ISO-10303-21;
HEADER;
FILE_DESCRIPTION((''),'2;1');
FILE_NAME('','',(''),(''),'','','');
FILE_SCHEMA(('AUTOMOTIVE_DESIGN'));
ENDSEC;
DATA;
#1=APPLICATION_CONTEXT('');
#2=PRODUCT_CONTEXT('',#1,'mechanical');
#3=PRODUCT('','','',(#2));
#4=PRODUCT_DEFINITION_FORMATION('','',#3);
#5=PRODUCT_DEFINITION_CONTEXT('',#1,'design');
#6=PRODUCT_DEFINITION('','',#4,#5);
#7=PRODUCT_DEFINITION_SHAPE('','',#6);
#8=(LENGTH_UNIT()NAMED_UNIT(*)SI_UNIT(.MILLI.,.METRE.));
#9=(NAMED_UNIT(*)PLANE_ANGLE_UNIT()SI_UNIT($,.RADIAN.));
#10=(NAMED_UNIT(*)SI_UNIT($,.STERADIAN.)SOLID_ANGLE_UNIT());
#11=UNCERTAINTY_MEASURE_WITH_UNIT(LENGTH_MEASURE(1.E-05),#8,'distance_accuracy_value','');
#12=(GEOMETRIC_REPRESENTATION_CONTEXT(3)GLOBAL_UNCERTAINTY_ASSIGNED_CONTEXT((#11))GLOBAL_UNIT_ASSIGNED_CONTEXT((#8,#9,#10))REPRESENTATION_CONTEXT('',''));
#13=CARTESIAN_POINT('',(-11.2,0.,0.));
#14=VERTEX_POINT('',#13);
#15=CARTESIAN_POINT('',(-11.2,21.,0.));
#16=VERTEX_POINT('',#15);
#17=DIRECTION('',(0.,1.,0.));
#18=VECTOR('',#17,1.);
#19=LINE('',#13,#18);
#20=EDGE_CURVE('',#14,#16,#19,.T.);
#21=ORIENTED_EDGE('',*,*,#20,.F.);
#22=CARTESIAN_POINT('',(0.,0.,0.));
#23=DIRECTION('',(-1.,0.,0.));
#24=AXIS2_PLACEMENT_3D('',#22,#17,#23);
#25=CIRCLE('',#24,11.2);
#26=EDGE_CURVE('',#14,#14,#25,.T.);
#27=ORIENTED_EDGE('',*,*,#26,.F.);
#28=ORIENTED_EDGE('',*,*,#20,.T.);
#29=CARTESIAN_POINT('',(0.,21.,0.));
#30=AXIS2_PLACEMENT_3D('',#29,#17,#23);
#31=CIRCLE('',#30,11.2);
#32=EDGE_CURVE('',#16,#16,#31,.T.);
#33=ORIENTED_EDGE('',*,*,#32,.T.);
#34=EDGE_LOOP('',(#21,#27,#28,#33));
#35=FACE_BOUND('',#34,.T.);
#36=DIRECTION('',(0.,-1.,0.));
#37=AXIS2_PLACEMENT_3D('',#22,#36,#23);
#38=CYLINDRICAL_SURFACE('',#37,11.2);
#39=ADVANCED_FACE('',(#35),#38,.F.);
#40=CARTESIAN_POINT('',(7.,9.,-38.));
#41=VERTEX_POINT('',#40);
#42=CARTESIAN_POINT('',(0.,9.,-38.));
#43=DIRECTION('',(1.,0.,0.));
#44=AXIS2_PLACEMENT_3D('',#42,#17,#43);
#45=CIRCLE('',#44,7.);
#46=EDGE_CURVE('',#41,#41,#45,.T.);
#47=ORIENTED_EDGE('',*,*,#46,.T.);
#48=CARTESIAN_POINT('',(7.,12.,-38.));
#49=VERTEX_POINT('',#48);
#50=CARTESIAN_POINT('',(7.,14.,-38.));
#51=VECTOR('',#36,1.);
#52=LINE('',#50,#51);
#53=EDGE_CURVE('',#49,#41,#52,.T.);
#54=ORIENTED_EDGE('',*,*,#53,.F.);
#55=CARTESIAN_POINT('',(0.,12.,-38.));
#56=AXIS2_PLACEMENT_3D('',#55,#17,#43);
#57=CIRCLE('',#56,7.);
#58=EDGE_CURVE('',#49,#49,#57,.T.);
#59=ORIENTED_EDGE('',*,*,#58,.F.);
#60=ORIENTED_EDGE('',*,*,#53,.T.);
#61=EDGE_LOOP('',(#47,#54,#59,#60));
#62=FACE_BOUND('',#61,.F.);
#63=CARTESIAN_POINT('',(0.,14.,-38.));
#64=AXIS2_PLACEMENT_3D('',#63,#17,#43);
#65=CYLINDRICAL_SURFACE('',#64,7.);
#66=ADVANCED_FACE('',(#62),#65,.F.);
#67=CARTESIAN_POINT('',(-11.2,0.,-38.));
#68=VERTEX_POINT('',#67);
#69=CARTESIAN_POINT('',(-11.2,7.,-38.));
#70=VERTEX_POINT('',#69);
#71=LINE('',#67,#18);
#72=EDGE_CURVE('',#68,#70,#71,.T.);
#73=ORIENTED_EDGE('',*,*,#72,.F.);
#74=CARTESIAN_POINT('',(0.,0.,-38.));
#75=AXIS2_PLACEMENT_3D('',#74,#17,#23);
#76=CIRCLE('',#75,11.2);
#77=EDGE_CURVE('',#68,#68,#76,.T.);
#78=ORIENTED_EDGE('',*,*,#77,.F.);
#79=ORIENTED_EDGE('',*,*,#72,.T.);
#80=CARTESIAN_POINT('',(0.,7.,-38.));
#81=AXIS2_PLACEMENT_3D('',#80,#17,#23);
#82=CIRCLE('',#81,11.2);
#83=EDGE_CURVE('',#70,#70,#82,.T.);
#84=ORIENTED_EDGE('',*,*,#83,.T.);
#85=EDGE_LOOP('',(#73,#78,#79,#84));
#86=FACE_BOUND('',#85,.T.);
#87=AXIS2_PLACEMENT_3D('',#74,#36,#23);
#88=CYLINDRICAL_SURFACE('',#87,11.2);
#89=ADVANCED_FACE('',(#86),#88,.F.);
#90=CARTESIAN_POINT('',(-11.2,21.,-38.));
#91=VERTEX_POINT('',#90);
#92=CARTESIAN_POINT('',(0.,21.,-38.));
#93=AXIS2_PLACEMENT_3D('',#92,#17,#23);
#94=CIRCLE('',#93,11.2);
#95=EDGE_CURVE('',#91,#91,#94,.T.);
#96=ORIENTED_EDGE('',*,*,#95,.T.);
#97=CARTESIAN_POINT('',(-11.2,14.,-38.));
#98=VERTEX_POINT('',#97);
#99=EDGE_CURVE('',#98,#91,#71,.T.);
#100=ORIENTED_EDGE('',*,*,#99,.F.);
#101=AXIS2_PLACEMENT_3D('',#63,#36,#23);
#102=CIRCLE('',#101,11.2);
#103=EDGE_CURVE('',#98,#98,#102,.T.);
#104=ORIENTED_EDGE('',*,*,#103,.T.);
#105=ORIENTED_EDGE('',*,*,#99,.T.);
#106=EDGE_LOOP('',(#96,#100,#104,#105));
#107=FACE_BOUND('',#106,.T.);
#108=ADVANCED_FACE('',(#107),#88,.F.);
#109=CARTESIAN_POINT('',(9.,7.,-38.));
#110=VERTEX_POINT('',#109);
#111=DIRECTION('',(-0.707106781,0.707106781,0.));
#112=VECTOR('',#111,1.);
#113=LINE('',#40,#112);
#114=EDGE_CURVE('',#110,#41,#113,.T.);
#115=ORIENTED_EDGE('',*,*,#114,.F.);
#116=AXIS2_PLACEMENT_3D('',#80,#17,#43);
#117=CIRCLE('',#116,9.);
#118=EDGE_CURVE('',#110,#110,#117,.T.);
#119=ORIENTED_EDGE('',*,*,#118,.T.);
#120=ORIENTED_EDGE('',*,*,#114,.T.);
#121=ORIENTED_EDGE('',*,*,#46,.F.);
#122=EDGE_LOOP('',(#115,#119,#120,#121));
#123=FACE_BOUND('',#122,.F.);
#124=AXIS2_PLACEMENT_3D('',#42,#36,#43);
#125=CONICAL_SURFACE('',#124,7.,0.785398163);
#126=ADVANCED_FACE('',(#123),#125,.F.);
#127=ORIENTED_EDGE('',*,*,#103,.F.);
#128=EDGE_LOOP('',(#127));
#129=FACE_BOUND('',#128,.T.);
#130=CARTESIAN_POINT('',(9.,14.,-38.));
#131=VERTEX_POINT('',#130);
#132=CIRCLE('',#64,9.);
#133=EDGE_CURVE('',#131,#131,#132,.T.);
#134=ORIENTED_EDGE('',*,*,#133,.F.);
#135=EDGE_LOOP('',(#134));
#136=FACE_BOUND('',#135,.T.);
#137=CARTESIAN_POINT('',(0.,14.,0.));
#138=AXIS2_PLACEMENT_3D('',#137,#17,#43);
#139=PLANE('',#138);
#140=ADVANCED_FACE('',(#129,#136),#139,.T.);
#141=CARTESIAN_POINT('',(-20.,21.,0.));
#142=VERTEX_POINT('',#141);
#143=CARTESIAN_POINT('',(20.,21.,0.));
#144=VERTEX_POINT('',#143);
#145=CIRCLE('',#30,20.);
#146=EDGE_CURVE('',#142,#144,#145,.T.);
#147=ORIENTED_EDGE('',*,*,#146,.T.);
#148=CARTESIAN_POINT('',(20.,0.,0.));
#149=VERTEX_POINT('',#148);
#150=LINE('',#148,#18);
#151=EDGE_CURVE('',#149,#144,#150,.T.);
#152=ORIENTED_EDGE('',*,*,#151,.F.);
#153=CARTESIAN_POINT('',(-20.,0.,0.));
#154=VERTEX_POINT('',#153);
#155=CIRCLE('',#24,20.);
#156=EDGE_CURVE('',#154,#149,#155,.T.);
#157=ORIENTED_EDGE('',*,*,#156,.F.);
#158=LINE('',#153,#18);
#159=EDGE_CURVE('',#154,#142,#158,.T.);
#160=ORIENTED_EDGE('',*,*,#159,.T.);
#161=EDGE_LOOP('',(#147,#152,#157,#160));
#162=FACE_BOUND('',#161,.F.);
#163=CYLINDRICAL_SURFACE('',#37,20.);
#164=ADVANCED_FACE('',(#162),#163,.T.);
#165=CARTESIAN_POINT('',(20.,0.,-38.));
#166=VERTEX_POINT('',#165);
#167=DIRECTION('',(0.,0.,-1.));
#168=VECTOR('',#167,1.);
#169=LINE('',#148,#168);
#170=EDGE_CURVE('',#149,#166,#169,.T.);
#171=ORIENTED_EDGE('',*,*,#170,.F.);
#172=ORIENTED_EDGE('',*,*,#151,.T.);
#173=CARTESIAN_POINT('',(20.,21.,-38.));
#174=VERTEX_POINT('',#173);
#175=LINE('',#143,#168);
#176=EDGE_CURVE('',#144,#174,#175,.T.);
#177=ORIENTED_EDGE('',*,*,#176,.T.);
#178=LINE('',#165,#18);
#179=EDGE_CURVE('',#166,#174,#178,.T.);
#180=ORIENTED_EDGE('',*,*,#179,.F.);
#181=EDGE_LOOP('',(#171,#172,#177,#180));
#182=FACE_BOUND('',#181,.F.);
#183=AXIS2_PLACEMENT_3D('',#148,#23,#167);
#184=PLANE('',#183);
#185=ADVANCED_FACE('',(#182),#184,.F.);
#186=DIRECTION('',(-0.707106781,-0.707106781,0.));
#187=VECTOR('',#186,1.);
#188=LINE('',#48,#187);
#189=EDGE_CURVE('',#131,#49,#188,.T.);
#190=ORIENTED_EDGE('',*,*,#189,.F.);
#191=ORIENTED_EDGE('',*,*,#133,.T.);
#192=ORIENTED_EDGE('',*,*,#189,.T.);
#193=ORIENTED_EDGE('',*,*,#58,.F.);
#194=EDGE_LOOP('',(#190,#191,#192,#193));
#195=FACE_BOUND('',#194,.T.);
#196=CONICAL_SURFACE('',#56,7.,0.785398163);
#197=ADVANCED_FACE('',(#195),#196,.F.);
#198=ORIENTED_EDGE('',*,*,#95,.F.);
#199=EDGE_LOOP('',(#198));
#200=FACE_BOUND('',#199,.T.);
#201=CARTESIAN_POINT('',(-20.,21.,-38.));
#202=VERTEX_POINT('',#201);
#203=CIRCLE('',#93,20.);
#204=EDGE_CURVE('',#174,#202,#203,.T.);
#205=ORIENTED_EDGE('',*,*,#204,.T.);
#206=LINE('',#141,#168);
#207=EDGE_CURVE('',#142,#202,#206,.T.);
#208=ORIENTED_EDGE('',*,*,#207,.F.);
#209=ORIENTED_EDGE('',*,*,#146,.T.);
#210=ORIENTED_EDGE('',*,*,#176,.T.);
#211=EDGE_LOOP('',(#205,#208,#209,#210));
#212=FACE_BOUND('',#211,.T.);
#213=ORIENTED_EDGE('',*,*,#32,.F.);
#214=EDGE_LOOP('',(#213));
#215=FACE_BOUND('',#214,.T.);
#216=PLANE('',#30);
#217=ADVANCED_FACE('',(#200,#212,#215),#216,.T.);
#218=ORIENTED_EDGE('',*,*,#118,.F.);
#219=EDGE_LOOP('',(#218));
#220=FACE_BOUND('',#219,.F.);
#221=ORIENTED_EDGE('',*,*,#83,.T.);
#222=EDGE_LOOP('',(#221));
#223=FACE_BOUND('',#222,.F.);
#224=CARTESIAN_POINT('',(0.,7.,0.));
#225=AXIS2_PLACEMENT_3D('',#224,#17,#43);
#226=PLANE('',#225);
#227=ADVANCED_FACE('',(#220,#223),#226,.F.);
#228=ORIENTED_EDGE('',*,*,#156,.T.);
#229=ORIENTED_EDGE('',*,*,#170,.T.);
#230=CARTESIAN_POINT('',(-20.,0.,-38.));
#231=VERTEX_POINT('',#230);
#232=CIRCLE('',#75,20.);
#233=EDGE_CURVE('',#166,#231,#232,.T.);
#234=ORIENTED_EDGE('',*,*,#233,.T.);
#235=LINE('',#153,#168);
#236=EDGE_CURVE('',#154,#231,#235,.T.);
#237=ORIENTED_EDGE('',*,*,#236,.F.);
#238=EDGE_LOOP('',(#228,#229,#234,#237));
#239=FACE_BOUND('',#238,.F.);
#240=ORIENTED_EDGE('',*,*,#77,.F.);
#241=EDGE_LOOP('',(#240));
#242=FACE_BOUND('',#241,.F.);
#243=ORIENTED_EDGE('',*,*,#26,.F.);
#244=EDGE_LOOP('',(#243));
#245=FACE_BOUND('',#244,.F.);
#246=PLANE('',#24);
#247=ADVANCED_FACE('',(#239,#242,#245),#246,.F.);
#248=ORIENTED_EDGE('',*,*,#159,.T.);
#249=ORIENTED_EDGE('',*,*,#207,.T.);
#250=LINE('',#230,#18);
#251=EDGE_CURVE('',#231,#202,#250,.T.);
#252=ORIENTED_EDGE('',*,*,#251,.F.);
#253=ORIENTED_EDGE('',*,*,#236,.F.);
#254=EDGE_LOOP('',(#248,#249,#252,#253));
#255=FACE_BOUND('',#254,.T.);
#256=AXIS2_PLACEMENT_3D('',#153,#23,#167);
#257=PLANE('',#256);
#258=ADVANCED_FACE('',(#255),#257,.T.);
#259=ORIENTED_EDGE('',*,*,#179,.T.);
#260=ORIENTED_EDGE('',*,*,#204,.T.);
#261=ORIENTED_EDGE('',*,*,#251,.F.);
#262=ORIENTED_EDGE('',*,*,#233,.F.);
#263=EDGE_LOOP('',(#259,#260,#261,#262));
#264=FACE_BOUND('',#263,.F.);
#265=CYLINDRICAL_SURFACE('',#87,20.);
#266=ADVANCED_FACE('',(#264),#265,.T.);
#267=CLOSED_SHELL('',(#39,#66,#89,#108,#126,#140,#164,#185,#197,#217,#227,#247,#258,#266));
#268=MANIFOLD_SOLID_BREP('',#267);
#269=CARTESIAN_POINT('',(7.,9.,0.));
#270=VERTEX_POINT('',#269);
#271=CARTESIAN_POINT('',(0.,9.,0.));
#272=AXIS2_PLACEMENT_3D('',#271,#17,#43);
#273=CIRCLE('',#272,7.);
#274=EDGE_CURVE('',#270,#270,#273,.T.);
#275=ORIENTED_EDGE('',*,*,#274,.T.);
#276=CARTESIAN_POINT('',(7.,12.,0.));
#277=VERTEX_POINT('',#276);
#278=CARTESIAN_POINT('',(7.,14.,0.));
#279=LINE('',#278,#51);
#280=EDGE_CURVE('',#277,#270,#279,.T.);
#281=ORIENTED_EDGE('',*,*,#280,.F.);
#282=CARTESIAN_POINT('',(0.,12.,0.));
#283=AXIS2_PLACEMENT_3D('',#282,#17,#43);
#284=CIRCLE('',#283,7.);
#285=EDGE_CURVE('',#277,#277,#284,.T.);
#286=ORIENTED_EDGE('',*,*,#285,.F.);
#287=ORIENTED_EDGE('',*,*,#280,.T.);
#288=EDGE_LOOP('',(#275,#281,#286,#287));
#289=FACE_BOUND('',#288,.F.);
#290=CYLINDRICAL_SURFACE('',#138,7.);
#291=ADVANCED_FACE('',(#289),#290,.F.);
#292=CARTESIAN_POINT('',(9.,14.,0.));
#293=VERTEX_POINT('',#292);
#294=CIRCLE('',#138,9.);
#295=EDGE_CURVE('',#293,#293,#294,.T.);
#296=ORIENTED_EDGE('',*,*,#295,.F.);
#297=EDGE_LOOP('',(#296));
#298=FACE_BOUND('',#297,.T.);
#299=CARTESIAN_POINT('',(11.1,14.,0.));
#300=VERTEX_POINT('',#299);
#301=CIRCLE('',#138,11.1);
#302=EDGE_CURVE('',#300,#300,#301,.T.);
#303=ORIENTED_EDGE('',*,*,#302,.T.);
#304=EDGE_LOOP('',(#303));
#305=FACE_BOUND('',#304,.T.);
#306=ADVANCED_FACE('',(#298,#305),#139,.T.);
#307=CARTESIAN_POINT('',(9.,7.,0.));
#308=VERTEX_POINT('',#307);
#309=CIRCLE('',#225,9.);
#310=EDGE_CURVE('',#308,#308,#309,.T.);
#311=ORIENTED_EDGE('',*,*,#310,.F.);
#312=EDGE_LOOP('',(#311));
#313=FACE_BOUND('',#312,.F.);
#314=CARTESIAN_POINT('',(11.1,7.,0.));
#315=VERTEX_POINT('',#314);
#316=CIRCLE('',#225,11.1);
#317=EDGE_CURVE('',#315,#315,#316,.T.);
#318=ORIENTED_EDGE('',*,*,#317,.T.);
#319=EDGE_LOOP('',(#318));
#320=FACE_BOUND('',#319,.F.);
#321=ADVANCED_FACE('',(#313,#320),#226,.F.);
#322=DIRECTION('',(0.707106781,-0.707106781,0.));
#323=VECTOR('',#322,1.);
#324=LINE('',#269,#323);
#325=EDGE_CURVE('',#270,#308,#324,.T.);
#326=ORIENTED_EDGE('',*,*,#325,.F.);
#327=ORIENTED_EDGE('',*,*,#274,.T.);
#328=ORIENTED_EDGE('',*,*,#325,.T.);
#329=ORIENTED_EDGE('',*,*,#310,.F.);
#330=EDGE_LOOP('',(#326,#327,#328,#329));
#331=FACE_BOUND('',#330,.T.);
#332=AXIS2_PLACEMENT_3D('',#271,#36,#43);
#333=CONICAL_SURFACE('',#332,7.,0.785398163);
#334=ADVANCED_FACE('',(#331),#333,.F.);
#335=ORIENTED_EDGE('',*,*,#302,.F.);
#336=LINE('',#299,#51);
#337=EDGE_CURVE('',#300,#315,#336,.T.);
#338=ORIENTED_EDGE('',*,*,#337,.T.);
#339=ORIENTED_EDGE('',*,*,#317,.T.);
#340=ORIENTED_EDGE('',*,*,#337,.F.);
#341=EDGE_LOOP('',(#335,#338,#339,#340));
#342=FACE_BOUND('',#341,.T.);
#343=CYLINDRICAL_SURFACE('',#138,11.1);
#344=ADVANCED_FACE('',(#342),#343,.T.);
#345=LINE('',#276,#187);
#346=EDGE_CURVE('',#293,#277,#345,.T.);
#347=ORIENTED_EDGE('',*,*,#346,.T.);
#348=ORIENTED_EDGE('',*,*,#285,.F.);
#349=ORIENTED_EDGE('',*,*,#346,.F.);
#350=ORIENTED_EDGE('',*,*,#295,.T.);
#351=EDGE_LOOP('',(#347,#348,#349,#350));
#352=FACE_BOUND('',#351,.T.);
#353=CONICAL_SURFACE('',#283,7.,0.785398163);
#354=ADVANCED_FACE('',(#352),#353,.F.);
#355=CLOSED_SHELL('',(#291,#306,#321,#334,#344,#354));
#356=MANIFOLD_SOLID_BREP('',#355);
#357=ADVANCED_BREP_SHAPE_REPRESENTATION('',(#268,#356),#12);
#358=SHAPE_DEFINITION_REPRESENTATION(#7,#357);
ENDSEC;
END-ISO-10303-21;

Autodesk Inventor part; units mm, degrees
ref_plane "YZ Plane" through (0, 0, 0) normal (1, 0, 0) x (0, 1, 0)
ref_plane "XZ Plane" through (0, 0, 0) normal (0, 1, 0) x (-1, 0, 0)
sketch "Sketch1" plane through (0, 0, 0) normal (0, 1, 0) x (-1, 0, 0)
  circle A0 centre (0, 0) radius 11.2
  circle A1 centre (0, -38) radius 11.2
  circle A2 centre (0, 0) radius 20
  circle A3 centre (0, -38) radius 20
  line L0 (20, 0) -> (20, -38)
  line L1 (-20, 0) -> (-20, -38)
  dimension "d0" = 22.4
  dimension "d1" = 22.4
  dimension "d2" = 0
  dimension "d3" = 38
  dimension "d4" = 40
  dimension "d5" = 40
extrude "Extrusion1" add sketch "Sketch1" along normal blind 21
ref_plane "Work Plane1" through (0, 14, 0) normal (0, 1, 0) x (1, 0, 0)
sketch "Sketch2" plane through (0, 14, 0) normal (0, 1, 0) x (1, 0, 0)
  circle A0 centre (0, 0) radius 7
  circle A1 centre (0, 38) radius 11.2 projected
  circle A2 centre (0, 38) radius 7
  circle A3 centre (0, 0) radius 11.1
  dimension "d9" = 14
  dimension "d10" = 14
extrude "Extrusion2" add sketch "Sketch2" against normal blind 7
chamfer "Chamfer1" distance 2 angle 45 4 edges at (-7, 14, 0) (-7, 14, -38) (-7, 7, -38) (-7, 7, 0)
properties part number "Distancia_Cojinetes"
